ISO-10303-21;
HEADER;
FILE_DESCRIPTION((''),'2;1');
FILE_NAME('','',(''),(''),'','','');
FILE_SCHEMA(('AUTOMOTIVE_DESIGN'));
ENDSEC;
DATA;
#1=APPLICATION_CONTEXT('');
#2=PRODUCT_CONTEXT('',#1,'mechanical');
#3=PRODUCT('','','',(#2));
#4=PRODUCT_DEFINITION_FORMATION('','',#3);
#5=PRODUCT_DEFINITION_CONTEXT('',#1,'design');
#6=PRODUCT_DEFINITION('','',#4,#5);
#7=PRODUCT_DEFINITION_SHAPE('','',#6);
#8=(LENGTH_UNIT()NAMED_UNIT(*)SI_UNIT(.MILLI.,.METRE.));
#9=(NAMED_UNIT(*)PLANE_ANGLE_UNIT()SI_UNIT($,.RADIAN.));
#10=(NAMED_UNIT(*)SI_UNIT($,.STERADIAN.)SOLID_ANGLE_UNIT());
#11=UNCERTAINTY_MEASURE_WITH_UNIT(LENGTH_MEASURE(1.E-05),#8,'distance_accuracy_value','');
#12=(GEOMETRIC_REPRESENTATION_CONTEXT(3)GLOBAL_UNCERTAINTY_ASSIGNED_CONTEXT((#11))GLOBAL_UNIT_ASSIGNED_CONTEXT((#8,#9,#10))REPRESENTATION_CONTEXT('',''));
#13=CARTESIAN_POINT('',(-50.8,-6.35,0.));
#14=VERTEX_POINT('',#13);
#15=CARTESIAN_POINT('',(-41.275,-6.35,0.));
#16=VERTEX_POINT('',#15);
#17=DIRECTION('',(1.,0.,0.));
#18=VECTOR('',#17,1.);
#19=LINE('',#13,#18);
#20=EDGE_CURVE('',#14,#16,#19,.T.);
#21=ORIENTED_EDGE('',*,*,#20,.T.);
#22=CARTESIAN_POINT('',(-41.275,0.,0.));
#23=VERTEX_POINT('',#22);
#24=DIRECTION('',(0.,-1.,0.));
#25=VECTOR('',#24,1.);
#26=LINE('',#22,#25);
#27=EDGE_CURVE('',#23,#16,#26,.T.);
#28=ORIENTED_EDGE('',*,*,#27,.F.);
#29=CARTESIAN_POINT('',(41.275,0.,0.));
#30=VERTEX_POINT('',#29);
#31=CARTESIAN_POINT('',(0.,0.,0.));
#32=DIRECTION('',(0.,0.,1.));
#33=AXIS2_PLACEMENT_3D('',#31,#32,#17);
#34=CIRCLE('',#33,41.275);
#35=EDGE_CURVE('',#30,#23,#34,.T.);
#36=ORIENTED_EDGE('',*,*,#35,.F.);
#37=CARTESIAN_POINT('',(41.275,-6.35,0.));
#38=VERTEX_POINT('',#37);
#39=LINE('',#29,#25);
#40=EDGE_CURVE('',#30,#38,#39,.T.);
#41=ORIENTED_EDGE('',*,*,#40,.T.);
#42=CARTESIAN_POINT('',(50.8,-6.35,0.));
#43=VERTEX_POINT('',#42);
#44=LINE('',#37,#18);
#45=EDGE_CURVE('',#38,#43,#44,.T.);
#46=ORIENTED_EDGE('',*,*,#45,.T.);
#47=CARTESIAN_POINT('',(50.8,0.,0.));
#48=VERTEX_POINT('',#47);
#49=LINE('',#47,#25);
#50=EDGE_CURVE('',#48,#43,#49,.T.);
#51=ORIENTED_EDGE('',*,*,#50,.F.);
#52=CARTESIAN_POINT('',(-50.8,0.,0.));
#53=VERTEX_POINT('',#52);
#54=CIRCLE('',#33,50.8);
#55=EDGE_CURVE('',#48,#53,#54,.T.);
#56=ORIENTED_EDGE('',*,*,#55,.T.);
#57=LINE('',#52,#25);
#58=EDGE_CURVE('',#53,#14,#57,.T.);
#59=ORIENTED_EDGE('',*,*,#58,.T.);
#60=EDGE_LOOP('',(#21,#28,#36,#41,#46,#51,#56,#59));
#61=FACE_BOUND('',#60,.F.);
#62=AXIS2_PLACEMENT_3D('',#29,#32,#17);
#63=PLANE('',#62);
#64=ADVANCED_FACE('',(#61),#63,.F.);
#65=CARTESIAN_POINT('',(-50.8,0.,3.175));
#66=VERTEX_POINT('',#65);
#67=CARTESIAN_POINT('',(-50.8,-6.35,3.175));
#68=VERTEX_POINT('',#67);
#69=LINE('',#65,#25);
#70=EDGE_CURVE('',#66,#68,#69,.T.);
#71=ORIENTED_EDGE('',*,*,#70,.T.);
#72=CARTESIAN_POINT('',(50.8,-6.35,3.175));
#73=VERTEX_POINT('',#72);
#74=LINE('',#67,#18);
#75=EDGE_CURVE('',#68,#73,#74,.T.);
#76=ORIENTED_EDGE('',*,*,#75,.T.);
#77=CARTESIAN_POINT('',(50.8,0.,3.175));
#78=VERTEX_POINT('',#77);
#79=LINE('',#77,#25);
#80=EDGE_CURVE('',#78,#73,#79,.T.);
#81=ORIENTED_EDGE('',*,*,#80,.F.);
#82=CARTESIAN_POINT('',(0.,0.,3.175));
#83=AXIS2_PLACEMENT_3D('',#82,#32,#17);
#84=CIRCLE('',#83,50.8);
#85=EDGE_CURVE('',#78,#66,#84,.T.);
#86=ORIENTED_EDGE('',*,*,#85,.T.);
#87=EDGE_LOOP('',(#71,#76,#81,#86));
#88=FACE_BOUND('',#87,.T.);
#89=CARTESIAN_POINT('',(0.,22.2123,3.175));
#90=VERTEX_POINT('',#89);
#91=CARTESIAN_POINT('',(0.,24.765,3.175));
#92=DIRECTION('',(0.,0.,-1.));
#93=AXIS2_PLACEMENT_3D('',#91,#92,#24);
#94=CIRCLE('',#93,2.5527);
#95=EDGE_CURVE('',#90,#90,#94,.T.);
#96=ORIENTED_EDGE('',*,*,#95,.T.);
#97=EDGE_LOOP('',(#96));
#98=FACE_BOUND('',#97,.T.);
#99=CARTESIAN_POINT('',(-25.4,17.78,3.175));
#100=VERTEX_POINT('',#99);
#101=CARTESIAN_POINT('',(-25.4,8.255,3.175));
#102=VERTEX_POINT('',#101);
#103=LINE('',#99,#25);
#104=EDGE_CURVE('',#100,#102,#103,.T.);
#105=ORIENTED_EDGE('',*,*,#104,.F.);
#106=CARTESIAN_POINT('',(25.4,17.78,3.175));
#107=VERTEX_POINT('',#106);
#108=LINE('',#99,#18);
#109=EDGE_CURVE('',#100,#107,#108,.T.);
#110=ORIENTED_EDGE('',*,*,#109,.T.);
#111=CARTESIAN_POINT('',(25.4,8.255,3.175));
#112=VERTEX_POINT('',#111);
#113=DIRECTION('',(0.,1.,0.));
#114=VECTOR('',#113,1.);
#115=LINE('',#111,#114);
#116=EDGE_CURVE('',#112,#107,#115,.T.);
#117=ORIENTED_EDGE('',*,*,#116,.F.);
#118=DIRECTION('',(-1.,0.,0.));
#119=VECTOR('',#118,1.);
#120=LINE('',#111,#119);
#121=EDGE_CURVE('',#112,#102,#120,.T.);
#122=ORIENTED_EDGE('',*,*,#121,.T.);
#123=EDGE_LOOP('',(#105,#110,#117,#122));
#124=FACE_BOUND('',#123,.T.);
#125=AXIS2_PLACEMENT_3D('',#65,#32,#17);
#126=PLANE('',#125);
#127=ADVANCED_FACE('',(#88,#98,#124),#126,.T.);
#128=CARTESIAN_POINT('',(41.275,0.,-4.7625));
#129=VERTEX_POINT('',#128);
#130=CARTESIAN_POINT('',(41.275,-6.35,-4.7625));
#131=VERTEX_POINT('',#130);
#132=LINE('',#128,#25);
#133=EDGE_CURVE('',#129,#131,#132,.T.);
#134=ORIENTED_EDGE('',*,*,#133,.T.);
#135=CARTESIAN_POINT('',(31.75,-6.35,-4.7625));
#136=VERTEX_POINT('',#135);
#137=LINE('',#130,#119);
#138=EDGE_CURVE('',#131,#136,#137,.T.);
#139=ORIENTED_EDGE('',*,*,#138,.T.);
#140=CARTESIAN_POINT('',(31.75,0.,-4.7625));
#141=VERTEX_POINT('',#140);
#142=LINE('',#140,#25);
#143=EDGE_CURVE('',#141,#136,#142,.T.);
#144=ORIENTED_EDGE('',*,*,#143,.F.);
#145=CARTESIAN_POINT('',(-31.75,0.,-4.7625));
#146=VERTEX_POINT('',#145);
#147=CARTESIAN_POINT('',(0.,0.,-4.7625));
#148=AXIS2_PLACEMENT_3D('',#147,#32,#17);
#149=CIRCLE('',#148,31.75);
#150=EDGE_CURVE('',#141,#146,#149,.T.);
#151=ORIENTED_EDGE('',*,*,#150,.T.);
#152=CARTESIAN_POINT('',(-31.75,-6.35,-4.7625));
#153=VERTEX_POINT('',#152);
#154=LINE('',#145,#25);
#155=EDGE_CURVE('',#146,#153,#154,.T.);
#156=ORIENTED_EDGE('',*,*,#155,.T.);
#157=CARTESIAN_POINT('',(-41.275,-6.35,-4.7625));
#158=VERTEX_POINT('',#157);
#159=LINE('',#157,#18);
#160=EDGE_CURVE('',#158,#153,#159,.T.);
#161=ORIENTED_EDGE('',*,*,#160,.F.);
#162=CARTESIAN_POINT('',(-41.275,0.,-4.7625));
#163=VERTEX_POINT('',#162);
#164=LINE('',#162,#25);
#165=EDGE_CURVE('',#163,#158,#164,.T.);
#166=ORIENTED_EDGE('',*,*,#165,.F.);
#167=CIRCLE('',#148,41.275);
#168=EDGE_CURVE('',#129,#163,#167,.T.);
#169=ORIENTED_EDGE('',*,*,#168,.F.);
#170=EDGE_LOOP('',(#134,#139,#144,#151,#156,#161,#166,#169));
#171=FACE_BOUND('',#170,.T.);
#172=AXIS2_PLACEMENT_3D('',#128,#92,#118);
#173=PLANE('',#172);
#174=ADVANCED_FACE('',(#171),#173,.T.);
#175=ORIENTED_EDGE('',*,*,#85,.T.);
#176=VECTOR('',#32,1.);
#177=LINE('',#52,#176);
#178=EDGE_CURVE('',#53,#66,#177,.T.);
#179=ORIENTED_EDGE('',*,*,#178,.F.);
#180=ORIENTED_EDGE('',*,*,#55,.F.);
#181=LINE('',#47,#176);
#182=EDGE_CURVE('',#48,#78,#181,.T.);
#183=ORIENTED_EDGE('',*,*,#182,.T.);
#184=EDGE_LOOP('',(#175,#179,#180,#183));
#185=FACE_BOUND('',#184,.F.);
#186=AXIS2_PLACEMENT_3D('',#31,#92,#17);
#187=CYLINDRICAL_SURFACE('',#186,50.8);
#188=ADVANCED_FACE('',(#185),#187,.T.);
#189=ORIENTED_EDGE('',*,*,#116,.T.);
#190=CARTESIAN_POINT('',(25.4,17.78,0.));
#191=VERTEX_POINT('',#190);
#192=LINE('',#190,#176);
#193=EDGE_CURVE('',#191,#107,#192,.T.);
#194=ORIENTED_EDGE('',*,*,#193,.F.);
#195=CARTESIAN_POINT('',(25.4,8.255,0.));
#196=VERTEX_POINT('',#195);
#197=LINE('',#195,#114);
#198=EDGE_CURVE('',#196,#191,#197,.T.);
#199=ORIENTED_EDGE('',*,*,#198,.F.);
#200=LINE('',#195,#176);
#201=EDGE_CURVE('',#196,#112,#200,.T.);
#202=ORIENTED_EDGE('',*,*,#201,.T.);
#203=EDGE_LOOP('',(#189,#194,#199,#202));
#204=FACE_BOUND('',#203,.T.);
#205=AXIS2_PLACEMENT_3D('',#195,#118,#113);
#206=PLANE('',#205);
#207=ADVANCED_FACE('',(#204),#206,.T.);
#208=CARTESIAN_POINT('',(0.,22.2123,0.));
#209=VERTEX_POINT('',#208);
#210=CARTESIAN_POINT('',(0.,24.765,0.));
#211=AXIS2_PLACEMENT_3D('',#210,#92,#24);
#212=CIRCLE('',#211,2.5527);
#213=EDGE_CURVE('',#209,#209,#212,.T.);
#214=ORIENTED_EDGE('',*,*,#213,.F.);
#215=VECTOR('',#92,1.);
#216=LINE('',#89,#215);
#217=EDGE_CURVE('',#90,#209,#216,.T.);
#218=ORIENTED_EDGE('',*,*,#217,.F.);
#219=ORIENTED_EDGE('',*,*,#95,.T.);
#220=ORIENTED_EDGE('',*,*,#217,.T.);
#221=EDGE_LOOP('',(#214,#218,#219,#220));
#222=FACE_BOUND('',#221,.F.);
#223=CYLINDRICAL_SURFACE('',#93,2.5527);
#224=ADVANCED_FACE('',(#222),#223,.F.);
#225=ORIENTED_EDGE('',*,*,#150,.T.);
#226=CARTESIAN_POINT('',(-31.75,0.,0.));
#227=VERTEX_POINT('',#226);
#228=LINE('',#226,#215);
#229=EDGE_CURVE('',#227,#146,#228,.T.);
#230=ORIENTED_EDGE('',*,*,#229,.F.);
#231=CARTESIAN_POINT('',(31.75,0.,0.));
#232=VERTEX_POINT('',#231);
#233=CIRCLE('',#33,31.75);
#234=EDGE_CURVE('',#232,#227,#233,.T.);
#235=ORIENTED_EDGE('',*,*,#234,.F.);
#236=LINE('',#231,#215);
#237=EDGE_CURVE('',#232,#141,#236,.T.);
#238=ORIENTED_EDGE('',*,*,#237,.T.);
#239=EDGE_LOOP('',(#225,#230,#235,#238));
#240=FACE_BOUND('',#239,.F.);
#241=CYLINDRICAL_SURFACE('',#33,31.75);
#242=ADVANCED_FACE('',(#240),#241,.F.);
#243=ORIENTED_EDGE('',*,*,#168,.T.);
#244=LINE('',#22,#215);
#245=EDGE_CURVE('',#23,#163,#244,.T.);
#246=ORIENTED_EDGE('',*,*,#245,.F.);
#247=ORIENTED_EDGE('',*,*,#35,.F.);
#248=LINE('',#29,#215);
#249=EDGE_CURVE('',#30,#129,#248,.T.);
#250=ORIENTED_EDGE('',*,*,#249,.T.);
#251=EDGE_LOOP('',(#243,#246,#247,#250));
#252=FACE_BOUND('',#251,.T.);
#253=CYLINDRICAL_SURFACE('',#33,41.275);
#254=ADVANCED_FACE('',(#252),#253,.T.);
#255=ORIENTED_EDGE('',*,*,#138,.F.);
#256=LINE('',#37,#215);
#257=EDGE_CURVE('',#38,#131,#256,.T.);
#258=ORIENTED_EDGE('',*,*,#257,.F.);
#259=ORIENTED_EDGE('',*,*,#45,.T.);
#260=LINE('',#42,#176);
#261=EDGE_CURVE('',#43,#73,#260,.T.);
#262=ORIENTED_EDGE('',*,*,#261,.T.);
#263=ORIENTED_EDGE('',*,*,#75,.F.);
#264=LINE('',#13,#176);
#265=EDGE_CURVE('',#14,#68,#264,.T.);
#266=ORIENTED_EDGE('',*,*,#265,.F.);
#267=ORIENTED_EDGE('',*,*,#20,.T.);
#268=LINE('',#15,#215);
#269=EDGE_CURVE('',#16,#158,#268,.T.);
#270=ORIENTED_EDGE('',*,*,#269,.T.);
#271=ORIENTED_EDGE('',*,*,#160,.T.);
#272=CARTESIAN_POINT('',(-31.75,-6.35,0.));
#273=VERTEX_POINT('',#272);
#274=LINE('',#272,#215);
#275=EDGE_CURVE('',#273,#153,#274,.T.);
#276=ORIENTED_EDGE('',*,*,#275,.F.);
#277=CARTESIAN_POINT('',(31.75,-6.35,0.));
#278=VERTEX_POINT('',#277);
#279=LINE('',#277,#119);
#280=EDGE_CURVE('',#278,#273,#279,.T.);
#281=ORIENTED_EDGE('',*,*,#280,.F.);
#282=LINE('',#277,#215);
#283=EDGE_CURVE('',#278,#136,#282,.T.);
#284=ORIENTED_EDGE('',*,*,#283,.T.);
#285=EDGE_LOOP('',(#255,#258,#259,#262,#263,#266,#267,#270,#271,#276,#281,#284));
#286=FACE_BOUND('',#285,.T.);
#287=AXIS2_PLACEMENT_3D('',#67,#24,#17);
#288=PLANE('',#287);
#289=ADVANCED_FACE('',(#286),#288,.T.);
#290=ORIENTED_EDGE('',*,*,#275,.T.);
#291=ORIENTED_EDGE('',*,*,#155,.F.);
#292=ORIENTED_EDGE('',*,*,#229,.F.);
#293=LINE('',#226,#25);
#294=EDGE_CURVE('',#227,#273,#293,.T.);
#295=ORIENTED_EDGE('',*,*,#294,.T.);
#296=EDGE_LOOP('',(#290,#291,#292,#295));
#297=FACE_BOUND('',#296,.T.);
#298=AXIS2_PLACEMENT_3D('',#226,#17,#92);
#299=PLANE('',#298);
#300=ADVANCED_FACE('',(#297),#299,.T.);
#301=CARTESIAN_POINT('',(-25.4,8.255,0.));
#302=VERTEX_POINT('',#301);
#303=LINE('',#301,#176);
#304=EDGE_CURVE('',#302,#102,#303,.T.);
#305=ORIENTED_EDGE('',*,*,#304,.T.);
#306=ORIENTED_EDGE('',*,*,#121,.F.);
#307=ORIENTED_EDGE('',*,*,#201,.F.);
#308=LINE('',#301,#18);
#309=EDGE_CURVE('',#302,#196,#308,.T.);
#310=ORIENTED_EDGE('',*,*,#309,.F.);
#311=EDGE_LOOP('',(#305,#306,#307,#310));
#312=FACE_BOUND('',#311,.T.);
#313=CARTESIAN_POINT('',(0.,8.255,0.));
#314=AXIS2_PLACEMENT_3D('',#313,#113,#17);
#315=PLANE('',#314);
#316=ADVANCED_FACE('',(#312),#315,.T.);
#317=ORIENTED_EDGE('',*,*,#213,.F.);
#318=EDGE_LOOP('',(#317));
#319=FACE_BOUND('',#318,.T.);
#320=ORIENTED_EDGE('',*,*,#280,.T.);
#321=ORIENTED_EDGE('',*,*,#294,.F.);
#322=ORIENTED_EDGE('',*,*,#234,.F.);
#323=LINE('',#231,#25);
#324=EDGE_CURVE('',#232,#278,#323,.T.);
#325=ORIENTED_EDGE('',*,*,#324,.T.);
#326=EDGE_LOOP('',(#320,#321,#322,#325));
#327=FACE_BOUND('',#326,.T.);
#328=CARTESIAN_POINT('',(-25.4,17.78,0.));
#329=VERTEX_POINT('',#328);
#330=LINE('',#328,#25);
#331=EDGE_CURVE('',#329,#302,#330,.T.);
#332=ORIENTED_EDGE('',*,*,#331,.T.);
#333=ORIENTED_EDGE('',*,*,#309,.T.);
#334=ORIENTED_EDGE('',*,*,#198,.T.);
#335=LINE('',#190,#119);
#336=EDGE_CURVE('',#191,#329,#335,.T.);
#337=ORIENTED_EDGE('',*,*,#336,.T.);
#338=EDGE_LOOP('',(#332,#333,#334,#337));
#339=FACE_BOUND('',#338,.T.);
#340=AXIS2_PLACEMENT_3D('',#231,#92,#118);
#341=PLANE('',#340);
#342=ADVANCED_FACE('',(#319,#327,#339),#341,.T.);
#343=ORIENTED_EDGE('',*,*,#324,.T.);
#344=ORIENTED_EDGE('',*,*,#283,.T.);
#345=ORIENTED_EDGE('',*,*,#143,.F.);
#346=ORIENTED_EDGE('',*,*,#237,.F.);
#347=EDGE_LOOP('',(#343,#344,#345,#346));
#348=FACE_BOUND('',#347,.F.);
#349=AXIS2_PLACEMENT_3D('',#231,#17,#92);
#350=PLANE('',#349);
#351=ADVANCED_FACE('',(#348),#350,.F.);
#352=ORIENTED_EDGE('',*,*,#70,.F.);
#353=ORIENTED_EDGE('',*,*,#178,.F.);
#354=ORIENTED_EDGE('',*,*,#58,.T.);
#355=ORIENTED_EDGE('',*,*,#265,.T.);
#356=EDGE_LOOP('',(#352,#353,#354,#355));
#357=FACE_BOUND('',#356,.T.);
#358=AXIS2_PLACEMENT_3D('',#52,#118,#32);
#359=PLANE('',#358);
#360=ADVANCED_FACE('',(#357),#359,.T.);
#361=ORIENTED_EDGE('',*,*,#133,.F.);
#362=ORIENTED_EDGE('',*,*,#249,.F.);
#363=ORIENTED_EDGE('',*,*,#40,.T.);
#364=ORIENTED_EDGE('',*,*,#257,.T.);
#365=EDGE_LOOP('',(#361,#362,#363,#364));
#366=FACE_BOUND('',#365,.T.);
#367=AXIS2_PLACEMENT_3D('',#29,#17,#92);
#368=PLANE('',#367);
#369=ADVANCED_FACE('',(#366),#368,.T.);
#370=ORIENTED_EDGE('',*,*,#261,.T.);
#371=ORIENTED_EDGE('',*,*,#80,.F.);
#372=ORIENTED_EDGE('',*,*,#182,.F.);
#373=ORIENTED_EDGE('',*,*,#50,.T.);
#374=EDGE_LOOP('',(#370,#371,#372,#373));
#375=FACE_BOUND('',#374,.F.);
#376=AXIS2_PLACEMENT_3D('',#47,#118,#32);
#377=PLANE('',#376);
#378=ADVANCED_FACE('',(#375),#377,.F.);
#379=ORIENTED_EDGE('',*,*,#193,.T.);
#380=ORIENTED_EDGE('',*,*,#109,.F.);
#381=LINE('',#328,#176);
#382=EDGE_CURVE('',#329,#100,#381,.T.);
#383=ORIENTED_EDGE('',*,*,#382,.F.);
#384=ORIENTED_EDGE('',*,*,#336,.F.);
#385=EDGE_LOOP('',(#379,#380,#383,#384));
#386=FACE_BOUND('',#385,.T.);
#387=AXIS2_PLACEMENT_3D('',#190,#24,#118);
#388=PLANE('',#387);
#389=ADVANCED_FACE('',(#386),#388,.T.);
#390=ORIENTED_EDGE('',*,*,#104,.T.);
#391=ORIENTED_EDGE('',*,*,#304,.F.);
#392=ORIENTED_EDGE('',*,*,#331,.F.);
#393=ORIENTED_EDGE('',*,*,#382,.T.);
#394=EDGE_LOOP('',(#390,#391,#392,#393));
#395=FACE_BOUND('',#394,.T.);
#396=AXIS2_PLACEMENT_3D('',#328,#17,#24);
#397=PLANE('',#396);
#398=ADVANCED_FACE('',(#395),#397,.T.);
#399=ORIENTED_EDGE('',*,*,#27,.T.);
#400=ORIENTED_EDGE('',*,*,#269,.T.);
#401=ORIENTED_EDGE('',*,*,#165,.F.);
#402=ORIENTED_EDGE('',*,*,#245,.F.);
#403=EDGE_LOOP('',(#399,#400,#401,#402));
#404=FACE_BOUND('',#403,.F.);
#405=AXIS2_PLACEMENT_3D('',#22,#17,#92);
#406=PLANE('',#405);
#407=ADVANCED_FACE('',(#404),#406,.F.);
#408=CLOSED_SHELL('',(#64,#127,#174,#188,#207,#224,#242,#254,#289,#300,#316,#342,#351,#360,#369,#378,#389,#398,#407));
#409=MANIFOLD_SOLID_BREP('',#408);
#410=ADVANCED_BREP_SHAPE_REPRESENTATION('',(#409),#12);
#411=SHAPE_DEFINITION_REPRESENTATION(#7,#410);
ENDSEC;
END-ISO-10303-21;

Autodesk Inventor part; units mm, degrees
ref_plane "YZ Plane" through (0, 0, 0) normal (1, 0, 0) x (0, 1, 0)
ref_plane "XZ Plane" through (0, 0, 0) normal (0, 1, 0) x (-1, 0, 0)
ref_plane "XY Plane" through (0, 0, 0) normal (0, 0, 1) x (1, 0, 0)
sketch "Sketch2" plane through (0, 0, 0) normal (0, 0, 1) x (1, 0, 0)
  arc A0 (31.75, 0) -> (-31.75, 0) centre (0, 0) ccw
  arc A1 (41.275, 0) -> (-41.275, 0) centre (0, 0) ccw
  line L0 (-41.275, 0) -> (-31.75, 0)
  line L1 (31.75, 0) -> (41.275, 0)
  arc A2 (50.8, 0) -> (-50.8, 0) centre (0, 0) ccw
  line L2 (-50.8, 0) -> (-41.275, 0)
  line L3 (41.275, 0) -> (50.8, 0)
  line L4 (-31.75, 0) -> (31.75, 0)
  line L5 (0, 0) -> (0, 31.75) construction
  line L6 (0, 8.255) -> (25.4, 8.255)
  line L7 (25.4, 8.255) -> (25.4, 17.78)
  line L8 (25.4, 17.78) -> (0, 17.78)
  line L9 (0, 17.78) -> (-25.4, 17.78)
  line L10 (-25.4, 17.78) -> (-25.4, 8.255)
  line L11 (-25.4, 8.255) -> (0, 8.255)
  dimension "d2" = 63.5
  dimension "d3" = 9.525
  dimension "d4" = 9.525
  dimension "d5" = 25.4
  dimension "d6" = 8.255
  dimension "d7" = 9.525
extrude "Extrusion3" add sketch "Sketch2" along normal blind 3.175
extrude "Extrusion4" add sketch "Sketch2" against normal blind 4.7625 contours A0 L0 A1 L1
sketch "Sketch5" plane through (0, 0, 3.175) normal (0, 0, 1) x (1, 0, 0)
  arc A0 (31.75, 0) -> (-31.75, 0) centre (0, 0) ccw projected
  line L0 (-25.4, 17.78) -> (25.4, 17.78) projected
  line L1 (0, 31.75) -> (0, 17.78) construction
  point P0 (0, 24.765)
hole "Hole2" at (0, 24.765, 3.175) direction (0, 0, -1) diameter 5.1054 end through all clearance for "Socket Head Cap Screw" size "#10" standard "Ansi Unified Screw Threads"
sketch "Sketch8" plane through (-50.8, 0, 3.175) normal (0, -1, 0) x (1, 0, 0)
  line L0 (101.6, -3.175) -> (101.6, 0) projected
  line L1 (101.6, 0) -> (101.6, -3.175)
  line L2 (92.075, -3.175) -> (101.6, -3.175) projected
  line L3 (101.6, -3.175) -> (92.075, -3.175)
  line L4 (92.075, -7.9375) -> (82.55, -7.9375) projected
  line L5 (92.075, -3.175) -> (92.075, -7.9375)
  line L6 (92.075, -7.9375) -> (82.55, -7.9375)
  line L7 (82.55, -3.175) -> (82.55, -7.9375) projected
  line L8 (82.55, -7.9375) -> (82.55, -3.175)
  line L9 (82.55, -3.175) -> (19.05, -3.175)
  line L10 (19.05, -3.175) -> (19.05, -7.9375) projected
  line L11 (19.05, -3.175) -> (19.05, -7.9375)
  line L12 (9.525, -7.9375) -> (92.075, -7.9375) projected
  line L13 (19.05, -7.9375) -> (9.525, -7.9375)
  line L14 (9.525, -3.175) -> (9.525, -7.9375) projected
  line L15 (9.525, -7.9375) -> (9.525, -3.175)
  line L16 (0, -3.175) -> (9.525, -3.175) projected
  line L17 (9.525, -3.175) -> (0, -3.175)
  line L18 (0, -3.175) -> (0, 0) projected
  line L19 (0, -3.175) -> (0, 0)
  line L20 (0, 0) -> (101.6, 0)
  point P0 (50.8, -3.175)
extrude "Extrusion6" add sketch "Sketch8" along normal blind 6.35 contours L2 L5 L4 L7 L9 L10 L12 L14 L16 L18 L20 L0
equation "\"d2\" = insideDiameterOfRing"
equation "\"d3\" = innerRingWidth"
equation "\"d4\" = outerRingWidth"
equation "\"d5\" = halfWidthForPryBar"
equation "\"d6\" = distanceFromEdgeToPryBar"
equation "\"d7\" = depthForPryBar"
equation "\"d12\" = bottomFlat"
equation "\"d14\" = bottomSupport"
equation "\"insideDiameterOfRing\" = 63.5"
equation "\"wallThicknessOfRing\" = 9.525"
equation "\"outsideDiameterOfRing\" = insideDiameterOfRing + 2 * wallThicknessOfRing"
equation "\"widthForPryBar\" = 50.8"
equation "\"outerRingWidth\" = 9.525"
equation "\"innerRingWidth\" = 9.525"
equation "\"halfWidthForPryBar\" = 0.5 * widthForPryBar"
equation "\"distanceFromEdgeToPryBar\" = 8.255"
equation "\"totalHeightOfPart\" = 19.05"
equation "\"topPartHeight\" = 6.35"
equation "\"lowerPartHeight\" = totalHeightOfPart - topPartHeight"
equation "\"depthForPryBar\" = 9.525"
equation "\"bottomFlat\" = 3.175"
equation "\"bottomSupport\" = 4.7625"
properties part number "dRingHolderBottom" material "PBT Plastic"
